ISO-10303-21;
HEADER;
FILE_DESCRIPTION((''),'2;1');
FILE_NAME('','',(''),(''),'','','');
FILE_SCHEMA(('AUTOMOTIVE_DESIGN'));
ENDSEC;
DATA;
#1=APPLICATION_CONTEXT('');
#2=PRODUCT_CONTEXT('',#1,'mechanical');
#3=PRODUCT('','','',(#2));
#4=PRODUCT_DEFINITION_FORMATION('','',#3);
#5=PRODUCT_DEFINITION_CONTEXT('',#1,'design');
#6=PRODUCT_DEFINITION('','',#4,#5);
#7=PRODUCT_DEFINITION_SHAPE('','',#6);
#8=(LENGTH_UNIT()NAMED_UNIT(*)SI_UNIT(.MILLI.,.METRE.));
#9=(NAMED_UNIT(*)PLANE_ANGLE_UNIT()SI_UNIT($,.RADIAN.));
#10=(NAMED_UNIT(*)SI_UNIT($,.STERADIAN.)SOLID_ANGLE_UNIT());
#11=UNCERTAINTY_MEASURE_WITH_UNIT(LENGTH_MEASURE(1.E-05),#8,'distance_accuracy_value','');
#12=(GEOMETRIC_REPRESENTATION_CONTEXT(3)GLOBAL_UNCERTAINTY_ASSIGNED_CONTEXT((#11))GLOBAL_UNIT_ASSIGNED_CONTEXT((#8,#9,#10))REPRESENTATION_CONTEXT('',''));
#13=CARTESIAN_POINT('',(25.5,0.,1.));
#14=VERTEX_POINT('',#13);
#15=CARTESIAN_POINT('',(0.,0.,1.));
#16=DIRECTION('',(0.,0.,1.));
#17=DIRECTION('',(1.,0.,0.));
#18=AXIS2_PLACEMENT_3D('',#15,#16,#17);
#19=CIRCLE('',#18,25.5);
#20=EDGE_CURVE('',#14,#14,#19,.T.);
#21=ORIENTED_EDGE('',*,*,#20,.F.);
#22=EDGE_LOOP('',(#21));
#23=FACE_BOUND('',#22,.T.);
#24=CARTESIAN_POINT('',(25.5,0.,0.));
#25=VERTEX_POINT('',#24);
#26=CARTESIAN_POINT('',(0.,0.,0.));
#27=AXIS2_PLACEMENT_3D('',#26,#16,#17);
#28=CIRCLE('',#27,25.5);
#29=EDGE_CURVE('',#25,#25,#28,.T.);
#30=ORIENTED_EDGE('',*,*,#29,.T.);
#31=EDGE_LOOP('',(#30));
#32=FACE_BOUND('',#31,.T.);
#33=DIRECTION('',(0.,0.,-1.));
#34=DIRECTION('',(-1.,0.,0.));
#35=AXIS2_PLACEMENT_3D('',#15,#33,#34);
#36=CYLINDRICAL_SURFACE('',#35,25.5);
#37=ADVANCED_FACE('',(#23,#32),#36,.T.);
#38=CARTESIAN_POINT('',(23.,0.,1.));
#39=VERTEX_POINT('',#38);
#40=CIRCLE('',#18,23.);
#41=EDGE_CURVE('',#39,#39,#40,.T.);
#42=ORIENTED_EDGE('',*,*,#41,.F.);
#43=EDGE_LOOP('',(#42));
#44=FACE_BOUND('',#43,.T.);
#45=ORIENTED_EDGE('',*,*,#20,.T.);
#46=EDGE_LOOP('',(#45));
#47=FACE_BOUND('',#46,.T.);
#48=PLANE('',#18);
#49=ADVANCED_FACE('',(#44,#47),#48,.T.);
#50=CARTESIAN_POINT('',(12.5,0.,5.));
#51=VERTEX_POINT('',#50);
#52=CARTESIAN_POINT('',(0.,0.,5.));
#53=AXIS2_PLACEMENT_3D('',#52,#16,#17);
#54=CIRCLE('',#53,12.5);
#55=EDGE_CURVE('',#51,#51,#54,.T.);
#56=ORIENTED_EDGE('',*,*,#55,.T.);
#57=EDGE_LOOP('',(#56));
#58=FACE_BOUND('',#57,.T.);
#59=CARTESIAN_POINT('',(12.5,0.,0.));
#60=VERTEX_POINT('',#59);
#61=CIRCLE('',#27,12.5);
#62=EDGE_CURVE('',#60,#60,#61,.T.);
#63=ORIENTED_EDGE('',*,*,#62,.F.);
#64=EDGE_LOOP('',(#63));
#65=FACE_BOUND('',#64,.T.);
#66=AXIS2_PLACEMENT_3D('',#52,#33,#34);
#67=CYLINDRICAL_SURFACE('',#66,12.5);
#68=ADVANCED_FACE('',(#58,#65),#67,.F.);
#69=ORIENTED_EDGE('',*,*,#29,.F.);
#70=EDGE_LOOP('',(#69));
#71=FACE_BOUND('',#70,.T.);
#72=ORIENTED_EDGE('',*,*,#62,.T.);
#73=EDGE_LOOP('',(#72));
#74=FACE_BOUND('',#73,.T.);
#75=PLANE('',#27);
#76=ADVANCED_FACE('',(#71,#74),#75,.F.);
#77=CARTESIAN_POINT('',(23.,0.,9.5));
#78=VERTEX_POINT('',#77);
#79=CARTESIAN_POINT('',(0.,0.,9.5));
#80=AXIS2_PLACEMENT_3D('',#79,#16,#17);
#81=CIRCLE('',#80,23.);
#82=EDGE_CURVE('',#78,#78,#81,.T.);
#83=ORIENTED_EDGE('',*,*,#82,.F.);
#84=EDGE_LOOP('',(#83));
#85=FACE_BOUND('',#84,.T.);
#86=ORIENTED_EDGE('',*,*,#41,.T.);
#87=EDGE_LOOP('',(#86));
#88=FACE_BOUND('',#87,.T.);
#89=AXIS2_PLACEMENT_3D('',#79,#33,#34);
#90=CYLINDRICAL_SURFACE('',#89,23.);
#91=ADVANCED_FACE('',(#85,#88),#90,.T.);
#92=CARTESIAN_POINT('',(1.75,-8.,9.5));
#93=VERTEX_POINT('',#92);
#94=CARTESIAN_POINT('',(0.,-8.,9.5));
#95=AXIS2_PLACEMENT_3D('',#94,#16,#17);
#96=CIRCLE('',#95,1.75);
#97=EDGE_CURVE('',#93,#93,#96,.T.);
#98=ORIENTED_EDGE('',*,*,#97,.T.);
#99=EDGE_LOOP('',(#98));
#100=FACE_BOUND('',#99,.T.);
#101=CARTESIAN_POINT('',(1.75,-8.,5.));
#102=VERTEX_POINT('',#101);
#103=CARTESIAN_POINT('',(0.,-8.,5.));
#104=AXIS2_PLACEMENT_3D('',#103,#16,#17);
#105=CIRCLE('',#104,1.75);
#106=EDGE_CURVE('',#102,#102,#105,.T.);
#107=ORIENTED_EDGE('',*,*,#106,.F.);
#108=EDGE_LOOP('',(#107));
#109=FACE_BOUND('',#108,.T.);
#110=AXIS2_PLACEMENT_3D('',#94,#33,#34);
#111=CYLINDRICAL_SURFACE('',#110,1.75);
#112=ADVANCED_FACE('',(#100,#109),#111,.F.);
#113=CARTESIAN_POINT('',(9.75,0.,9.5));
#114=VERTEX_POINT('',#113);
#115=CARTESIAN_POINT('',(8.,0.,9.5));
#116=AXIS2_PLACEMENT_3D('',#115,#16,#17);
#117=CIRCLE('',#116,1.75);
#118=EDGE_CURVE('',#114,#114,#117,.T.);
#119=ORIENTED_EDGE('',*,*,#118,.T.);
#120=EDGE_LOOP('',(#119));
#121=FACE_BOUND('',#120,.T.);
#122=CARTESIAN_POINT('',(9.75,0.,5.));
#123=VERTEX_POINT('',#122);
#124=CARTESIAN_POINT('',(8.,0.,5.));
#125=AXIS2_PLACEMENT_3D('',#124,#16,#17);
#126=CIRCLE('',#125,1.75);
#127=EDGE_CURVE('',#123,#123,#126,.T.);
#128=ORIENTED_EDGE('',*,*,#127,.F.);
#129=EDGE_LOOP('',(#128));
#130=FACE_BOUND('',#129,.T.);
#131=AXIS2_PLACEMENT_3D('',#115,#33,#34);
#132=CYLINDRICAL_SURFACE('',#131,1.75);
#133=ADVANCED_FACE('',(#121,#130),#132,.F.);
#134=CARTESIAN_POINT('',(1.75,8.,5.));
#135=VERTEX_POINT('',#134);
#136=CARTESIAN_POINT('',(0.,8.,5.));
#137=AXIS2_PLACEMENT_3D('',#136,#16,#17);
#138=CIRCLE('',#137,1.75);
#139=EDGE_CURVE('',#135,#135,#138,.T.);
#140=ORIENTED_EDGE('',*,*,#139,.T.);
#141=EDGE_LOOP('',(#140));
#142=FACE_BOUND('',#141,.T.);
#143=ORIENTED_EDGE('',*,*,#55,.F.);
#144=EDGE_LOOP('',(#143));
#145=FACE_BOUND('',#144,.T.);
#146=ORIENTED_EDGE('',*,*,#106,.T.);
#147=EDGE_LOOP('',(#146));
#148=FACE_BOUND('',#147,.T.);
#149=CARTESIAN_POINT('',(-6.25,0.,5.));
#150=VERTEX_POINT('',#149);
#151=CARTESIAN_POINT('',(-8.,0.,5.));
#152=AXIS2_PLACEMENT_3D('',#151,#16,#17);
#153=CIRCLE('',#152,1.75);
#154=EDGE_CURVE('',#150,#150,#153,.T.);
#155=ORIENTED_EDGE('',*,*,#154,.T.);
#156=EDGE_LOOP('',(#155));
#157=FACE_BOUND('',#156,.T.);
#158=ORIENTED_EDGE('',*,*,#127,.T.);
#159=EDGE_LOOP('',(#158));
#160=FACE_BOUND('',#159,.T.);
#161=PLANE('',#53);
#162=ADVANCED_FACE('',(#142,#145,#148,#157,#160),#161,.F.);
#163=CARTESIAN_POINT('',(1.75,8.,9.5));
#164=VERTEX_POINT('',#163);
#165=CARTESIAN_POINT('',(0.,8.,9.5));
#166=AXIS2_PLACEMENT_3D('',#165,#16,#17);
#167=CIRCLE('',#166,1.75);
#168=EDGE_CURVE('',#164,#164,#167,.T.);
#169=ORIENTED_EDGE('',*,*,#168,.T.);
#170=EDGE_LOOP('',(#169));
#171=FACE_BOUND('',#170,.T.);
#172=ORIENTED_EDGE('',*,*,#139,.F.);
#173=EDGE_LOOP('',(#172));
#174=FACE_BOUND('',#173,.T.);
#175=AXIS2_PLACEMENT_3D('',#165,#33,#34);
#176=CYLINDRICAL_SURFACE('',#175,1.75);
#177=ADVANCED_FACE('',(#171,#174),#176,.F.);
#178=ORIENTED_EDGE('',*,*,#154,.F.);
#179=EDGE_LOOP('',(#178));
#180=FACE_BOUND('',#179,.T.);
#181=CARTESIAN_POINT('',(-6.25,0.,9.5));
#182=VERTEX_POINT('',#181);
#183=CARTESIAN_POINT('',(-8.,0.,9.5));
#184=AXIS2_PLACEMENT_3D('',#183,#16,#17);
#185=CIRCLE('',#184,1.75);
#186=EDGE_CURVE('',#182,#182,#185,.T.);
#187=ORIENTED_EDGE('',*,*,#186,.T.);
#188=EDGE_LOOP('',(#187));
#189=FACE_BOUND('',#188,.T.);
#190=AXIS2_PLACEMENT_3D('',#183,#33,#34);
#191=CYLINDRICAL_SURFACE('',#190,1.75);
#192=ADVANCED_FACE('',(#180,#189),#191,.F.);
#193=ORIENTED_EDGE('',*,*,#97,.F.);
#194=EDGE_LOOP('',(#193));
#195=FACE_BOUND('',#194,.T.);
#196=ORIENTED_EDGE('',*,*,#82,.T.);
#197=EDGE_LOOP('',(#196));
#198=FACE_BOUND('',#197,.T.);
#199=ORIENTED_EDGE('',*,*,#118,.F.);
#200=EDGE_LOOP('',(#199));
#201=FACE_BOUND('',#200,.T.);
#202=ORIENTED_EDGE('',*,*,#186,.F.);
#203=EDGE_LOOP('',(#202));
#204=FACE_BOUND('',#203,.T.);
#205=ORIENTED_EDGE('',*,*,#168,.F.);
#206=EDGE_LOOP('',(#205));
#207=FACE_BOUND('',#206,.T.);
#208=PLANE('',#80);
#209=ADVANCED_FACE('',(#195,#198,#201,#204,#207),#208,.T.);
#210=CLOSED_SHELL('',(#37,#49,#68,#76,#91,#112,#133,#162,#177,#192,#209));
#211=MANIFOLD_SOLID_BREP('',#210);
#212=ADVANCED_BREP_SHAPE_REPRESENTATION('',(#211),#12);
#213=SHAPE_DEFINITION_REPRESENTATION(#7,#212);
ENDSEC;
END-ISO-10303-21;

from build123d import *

# Parameters (mm, degrees)
SKETCH1_R           = 23
SKETCH1_R_2         = 1.75
BOSS_EXTRUDE1_DEPTH = 9.5
SKETCH1_3_R         = 25.5
SKETCH1_3_R_2       = 23
BOSS_EXTRUDE2_DEPTH = 1
SKETCH1_4_R         = 12.5
SKETCH1_4_R_2       = 1.75
CUT_EXTRUDE1_DEPTH  = 5


with BuildPart() as part:
    # Sketch1 → Boss-Extrude1 (new body)
    with BuildSketch(Plane.XY):
        Circle(SKETCH1_R)
        with Locations((0, 8)):
            Circle(SKETCH1_R_2, mode=Mode.SUBTRACT)
        with Locations((0, -8)):
            Circle(SKETCH1_R_2, mode=Mode.SUBTRACT)
        with Locations((8, 0)):
            Circle(SKETCH1_R_2, mode=Mode.SUBTRACT)
        with Locations((-8, 0)):
            Circle(SKETCH1_R_2, mode=Mode.SUBTRACT)
    extrude(amount=BOSS_EXTRUDE1_DEPTH)

    # Sketch1<3> → Boss-Extrude2 (add)
    with BuildSketch(Plane.XY):
        Circle(SKETCH1_3_R)
        Circle(SKETCH1_3_R_2, mode=Mode.SUBTRACT)
    extrude(amount=BOSS_EXTRUDE2_DEPTH)

    # Sketch1<4> → Cut-Extrude1 (cut)
    with BuildSketch(Plane.XY):
        Circle(SKETCH1_4_R)
        with Locations((0, -8)):
            Circle(SKETCH1_4_R_2, mode=Mode.SUBTRACT)
        with Locations((8, 0)):
            Circle(SKETCH1_4_R_2, mode=Mode.SUBTRACT)
        with Locations((-8, 0)):
            Circle(SKETCH1_4_R_2, mode=Mode.SUBTRACT)
        with Locations((0, 8)):
            Circle(SKETCH1_4_R_2, mode=Mode.SUBTRACT)
    extrude(amount=CUT_EXTRUDE1_DEPTH, mode=Mode.SUBTRACT)


solid = part.part
